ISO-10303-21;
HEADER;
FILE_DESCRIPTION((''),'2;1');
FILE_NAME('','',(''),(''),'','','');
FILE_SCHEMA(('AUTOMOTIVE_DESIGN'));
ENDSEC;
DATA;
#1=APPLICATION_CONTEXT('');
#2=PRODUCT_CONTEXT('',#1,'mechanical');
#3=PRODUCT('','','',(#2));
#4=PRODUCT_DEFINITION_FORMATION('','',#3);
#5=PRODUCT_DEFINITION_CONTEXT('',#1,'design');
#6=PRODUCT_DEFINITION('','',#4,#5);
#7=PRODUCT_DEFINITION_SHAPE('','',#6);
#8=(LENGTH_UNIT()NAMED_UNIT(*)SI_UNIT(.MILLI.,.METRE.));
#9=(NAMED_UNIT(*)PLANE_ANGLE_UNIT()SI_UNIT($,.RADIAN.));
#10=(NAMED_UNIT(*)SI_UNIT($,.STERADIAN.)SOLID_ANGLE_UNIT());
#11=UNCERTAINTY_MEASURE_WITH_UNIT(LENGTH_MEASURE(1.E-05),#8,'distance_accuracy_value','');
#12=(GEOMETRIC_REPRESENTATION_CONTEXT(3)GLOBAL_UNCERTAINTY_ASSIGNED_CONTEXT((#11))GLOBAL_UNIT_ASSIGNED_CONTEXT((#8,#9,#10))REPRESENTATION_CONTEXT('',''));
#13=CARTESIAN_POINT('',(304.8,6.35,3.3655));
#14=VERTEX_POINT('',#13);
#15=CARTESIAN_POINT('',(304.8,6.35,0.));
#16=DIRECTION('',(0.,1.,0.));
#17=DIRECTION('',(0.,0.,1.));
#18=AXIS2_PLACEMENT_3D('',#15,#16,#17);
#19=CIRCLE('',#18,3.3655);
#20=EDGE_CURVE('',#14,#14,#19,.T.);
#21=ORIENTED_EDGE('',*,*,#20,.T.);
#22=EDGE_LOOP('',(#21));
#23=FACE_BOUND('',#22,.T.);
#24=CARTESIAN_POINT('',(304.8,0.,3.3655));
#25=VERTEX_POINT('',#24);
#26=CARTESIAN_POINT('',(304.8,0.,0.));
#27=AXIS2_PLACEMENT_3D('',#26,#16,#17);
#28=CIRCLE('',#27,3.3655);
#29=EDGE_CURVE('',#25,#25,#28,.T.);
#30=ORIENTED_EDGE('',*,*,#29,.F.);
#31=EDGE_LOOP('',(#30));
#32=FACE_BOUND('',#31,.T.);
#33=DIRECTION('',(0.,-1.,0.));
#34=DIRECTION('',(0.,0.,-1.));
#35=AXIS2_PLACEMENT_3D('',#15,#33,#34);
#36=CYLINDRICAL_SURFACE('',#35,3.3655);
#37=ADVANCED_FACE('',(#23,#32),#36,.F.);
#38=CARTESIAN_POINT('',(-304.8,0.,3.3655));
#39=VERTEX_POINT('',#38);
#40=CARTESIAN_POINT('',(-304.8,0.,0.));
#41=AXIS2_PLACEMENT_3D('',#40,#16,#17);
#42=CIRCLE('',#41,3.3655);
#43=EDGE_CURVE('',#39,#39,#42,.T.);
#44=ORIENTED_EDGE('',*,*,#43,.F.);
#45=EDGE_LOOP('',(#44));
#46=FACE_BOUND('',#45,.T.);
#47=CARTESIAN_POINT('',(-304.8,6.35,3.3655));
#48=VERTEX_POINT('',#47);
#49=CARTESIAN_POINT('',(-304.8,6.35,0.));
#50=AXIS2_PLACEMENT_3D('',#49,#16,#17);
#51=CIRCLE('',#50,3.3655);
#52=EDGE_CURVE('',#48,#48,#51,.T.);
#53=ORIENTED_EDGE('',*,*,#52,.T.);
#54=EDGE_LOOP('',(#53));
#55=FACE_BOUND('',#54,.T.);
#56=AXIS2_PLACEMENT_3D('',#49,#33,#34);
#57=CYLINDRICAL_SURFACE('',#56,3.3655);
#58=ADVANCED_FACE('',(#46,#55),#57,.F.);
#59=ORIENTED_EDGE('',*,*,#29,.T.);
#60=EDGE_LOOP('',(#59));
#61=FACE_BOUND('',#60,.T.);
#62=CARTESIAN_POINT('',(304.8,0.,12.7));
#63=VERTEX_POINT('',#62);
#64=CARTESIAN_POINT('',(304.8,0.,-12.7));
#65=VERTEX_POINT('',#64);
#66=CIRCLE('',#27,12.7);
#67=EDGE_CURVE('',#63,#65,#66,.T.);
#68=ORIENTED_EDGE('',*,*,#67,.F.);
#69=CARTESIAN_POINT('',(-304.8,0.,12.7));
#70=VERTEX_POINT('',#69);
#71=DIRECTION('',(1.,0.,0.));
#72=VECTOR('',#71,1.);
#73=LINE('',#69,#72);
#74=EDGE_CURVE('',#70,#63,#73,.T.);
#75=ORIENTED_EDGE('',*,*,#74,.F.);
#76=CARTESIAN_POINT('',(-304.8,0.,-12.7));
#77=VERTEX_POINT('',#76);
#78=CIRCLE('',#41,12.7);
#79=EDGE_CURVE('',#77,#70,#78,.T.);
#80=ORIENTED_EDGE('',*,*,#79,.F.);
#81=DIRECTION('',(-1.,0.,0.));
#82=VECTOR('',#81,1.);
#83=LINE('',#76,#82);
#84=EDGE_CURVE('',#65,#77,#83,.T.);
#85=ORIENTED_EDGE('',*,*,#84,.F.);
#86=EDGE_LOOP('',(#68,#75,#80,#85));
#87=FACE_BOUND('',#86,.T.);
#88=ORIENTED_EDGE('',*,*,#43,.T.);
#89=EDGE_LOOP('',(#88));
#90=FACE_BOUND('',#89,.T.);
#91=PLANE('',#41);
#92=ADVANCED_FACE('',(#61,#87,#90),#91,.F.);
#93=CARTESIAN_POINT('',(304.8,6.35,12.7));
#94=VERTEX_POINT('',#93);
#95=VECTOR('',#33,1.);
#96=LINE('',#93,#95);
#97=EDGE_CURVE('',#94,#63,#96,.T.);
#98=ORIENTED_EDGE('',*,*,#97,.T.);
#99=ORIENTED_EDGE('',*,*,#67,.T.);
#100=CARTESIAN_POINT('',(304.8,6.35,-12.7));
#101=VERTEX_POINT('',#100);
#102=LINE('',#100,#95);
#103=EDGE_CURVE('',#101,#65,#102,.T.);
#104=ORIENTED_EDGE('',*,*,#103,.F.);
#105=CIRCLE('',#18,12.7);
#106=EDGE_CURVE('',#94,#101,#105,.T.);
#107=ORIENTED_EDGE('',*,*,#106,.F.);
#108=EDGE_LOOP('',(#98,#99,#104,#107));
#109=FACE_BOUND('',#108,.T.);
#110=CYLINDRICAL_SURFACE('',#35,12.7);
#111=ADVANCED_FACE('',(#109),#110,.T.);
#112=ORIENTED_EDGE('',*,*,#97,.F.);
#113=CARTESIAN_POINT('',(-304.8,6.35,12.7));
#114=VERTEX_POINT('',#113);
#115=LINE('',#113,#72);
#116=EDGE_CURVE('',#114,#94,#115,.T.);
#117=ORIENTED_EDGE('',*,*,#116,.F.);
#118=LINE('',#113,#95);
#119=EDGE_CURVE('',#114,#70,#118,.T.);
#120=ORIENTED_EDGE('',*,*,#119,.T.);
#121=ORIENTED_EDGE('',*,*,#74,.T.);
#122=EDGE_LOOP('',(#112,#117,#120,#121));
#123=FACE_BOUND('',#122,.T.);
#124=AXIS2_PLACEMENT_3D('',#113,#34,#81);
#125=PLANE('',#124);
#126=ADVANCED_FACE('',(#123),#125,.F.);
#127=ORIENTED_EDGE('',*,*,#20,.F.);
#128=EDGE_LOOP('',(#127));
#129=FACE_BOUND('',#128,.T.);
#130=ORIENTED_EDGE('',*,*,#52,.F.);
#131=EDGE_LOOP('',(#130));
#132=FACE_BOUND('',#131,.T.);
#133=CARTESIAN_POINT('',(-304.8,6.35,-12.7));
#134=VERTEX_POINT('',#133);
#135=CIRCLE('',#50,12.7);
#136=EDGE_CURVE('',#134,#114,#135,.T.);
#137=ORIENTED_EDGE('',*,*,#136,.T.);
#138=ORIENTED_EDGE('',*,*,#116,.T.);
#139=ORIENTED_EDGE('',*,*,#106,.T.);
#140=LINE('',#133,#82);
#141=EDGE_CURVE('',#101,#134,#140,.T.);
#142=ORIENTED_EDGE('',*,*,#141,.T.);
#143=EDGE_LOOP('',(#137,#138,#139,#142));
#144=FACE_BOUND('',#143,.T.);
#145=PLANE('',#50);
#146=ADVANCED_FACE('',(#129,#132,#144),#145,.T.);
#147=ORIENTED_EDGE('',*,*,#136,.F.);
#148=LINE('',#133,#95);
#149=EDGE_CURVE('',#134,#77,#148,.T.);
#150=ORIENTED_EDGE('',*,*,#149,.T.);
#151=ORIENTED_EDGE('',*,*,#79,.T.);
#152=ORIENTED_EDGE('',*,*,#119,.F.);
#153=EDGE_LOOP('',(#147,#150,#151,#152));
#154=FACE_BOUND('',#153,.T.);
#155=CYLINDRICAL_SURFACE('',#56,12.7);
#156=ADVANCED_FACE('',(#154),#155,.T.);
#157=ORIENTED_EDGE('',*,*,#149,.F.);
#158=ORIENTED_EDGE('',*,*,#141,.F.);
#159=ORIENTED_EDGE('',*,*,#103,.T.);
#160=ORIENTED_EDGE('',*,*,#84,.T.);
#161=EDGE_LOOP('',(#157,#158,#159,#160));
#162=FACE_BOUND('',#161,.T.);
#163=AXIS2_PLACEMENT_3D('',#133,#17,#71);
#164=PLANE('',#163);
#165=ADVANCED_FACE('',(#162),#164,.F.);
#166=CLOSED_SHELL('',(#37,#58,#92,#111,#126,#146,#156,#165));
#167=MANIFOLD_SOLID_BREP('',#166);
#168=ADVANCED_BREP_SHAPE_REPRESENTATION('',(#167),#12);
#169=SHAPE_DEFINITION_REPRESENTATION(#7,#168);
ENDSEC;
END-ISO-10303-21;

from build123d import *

# Parameters (mm, degrees)
SKETCH1_R           = 3.3655
BOSS_EXTRUDE1_DEPTH = 6.35


with BuildPart() as part:
    # Sketch1 → Boss-Extrude1 (new body)
    with BuildSketch(Plane(origin=(0, 0, 0), x_dir=(1, 0, 0), z_dir=(0, 1, 0))):
        with BuildLine():
            Line((-304.8, 12.7), (304.8, 12.7))
            ThreePointArc((304.8, 12.7), (317.5, 0), (304.8, -12.7))
            Line((304.8, -12.7), (-304.8, -12.7))
            ThreePointArc((-304.8, -12.7), (-317.5, 0), (-304.8, 12.7))
        make_face()
        with Locations(Location((304.8, 0, 0), (0, 0, 270))):
            Circle(SKETCH1_R, mode=Mode.SUBTRACT)
        with Locations(Location((-304.8, 0, 0), (0, 0, 270))):
            Circle(SKETCH1_R, mode=Mode.SUBTRACT)
    extrude(amount=BOSS_EXTRUDE1_DEPTH)


solid = part.part
